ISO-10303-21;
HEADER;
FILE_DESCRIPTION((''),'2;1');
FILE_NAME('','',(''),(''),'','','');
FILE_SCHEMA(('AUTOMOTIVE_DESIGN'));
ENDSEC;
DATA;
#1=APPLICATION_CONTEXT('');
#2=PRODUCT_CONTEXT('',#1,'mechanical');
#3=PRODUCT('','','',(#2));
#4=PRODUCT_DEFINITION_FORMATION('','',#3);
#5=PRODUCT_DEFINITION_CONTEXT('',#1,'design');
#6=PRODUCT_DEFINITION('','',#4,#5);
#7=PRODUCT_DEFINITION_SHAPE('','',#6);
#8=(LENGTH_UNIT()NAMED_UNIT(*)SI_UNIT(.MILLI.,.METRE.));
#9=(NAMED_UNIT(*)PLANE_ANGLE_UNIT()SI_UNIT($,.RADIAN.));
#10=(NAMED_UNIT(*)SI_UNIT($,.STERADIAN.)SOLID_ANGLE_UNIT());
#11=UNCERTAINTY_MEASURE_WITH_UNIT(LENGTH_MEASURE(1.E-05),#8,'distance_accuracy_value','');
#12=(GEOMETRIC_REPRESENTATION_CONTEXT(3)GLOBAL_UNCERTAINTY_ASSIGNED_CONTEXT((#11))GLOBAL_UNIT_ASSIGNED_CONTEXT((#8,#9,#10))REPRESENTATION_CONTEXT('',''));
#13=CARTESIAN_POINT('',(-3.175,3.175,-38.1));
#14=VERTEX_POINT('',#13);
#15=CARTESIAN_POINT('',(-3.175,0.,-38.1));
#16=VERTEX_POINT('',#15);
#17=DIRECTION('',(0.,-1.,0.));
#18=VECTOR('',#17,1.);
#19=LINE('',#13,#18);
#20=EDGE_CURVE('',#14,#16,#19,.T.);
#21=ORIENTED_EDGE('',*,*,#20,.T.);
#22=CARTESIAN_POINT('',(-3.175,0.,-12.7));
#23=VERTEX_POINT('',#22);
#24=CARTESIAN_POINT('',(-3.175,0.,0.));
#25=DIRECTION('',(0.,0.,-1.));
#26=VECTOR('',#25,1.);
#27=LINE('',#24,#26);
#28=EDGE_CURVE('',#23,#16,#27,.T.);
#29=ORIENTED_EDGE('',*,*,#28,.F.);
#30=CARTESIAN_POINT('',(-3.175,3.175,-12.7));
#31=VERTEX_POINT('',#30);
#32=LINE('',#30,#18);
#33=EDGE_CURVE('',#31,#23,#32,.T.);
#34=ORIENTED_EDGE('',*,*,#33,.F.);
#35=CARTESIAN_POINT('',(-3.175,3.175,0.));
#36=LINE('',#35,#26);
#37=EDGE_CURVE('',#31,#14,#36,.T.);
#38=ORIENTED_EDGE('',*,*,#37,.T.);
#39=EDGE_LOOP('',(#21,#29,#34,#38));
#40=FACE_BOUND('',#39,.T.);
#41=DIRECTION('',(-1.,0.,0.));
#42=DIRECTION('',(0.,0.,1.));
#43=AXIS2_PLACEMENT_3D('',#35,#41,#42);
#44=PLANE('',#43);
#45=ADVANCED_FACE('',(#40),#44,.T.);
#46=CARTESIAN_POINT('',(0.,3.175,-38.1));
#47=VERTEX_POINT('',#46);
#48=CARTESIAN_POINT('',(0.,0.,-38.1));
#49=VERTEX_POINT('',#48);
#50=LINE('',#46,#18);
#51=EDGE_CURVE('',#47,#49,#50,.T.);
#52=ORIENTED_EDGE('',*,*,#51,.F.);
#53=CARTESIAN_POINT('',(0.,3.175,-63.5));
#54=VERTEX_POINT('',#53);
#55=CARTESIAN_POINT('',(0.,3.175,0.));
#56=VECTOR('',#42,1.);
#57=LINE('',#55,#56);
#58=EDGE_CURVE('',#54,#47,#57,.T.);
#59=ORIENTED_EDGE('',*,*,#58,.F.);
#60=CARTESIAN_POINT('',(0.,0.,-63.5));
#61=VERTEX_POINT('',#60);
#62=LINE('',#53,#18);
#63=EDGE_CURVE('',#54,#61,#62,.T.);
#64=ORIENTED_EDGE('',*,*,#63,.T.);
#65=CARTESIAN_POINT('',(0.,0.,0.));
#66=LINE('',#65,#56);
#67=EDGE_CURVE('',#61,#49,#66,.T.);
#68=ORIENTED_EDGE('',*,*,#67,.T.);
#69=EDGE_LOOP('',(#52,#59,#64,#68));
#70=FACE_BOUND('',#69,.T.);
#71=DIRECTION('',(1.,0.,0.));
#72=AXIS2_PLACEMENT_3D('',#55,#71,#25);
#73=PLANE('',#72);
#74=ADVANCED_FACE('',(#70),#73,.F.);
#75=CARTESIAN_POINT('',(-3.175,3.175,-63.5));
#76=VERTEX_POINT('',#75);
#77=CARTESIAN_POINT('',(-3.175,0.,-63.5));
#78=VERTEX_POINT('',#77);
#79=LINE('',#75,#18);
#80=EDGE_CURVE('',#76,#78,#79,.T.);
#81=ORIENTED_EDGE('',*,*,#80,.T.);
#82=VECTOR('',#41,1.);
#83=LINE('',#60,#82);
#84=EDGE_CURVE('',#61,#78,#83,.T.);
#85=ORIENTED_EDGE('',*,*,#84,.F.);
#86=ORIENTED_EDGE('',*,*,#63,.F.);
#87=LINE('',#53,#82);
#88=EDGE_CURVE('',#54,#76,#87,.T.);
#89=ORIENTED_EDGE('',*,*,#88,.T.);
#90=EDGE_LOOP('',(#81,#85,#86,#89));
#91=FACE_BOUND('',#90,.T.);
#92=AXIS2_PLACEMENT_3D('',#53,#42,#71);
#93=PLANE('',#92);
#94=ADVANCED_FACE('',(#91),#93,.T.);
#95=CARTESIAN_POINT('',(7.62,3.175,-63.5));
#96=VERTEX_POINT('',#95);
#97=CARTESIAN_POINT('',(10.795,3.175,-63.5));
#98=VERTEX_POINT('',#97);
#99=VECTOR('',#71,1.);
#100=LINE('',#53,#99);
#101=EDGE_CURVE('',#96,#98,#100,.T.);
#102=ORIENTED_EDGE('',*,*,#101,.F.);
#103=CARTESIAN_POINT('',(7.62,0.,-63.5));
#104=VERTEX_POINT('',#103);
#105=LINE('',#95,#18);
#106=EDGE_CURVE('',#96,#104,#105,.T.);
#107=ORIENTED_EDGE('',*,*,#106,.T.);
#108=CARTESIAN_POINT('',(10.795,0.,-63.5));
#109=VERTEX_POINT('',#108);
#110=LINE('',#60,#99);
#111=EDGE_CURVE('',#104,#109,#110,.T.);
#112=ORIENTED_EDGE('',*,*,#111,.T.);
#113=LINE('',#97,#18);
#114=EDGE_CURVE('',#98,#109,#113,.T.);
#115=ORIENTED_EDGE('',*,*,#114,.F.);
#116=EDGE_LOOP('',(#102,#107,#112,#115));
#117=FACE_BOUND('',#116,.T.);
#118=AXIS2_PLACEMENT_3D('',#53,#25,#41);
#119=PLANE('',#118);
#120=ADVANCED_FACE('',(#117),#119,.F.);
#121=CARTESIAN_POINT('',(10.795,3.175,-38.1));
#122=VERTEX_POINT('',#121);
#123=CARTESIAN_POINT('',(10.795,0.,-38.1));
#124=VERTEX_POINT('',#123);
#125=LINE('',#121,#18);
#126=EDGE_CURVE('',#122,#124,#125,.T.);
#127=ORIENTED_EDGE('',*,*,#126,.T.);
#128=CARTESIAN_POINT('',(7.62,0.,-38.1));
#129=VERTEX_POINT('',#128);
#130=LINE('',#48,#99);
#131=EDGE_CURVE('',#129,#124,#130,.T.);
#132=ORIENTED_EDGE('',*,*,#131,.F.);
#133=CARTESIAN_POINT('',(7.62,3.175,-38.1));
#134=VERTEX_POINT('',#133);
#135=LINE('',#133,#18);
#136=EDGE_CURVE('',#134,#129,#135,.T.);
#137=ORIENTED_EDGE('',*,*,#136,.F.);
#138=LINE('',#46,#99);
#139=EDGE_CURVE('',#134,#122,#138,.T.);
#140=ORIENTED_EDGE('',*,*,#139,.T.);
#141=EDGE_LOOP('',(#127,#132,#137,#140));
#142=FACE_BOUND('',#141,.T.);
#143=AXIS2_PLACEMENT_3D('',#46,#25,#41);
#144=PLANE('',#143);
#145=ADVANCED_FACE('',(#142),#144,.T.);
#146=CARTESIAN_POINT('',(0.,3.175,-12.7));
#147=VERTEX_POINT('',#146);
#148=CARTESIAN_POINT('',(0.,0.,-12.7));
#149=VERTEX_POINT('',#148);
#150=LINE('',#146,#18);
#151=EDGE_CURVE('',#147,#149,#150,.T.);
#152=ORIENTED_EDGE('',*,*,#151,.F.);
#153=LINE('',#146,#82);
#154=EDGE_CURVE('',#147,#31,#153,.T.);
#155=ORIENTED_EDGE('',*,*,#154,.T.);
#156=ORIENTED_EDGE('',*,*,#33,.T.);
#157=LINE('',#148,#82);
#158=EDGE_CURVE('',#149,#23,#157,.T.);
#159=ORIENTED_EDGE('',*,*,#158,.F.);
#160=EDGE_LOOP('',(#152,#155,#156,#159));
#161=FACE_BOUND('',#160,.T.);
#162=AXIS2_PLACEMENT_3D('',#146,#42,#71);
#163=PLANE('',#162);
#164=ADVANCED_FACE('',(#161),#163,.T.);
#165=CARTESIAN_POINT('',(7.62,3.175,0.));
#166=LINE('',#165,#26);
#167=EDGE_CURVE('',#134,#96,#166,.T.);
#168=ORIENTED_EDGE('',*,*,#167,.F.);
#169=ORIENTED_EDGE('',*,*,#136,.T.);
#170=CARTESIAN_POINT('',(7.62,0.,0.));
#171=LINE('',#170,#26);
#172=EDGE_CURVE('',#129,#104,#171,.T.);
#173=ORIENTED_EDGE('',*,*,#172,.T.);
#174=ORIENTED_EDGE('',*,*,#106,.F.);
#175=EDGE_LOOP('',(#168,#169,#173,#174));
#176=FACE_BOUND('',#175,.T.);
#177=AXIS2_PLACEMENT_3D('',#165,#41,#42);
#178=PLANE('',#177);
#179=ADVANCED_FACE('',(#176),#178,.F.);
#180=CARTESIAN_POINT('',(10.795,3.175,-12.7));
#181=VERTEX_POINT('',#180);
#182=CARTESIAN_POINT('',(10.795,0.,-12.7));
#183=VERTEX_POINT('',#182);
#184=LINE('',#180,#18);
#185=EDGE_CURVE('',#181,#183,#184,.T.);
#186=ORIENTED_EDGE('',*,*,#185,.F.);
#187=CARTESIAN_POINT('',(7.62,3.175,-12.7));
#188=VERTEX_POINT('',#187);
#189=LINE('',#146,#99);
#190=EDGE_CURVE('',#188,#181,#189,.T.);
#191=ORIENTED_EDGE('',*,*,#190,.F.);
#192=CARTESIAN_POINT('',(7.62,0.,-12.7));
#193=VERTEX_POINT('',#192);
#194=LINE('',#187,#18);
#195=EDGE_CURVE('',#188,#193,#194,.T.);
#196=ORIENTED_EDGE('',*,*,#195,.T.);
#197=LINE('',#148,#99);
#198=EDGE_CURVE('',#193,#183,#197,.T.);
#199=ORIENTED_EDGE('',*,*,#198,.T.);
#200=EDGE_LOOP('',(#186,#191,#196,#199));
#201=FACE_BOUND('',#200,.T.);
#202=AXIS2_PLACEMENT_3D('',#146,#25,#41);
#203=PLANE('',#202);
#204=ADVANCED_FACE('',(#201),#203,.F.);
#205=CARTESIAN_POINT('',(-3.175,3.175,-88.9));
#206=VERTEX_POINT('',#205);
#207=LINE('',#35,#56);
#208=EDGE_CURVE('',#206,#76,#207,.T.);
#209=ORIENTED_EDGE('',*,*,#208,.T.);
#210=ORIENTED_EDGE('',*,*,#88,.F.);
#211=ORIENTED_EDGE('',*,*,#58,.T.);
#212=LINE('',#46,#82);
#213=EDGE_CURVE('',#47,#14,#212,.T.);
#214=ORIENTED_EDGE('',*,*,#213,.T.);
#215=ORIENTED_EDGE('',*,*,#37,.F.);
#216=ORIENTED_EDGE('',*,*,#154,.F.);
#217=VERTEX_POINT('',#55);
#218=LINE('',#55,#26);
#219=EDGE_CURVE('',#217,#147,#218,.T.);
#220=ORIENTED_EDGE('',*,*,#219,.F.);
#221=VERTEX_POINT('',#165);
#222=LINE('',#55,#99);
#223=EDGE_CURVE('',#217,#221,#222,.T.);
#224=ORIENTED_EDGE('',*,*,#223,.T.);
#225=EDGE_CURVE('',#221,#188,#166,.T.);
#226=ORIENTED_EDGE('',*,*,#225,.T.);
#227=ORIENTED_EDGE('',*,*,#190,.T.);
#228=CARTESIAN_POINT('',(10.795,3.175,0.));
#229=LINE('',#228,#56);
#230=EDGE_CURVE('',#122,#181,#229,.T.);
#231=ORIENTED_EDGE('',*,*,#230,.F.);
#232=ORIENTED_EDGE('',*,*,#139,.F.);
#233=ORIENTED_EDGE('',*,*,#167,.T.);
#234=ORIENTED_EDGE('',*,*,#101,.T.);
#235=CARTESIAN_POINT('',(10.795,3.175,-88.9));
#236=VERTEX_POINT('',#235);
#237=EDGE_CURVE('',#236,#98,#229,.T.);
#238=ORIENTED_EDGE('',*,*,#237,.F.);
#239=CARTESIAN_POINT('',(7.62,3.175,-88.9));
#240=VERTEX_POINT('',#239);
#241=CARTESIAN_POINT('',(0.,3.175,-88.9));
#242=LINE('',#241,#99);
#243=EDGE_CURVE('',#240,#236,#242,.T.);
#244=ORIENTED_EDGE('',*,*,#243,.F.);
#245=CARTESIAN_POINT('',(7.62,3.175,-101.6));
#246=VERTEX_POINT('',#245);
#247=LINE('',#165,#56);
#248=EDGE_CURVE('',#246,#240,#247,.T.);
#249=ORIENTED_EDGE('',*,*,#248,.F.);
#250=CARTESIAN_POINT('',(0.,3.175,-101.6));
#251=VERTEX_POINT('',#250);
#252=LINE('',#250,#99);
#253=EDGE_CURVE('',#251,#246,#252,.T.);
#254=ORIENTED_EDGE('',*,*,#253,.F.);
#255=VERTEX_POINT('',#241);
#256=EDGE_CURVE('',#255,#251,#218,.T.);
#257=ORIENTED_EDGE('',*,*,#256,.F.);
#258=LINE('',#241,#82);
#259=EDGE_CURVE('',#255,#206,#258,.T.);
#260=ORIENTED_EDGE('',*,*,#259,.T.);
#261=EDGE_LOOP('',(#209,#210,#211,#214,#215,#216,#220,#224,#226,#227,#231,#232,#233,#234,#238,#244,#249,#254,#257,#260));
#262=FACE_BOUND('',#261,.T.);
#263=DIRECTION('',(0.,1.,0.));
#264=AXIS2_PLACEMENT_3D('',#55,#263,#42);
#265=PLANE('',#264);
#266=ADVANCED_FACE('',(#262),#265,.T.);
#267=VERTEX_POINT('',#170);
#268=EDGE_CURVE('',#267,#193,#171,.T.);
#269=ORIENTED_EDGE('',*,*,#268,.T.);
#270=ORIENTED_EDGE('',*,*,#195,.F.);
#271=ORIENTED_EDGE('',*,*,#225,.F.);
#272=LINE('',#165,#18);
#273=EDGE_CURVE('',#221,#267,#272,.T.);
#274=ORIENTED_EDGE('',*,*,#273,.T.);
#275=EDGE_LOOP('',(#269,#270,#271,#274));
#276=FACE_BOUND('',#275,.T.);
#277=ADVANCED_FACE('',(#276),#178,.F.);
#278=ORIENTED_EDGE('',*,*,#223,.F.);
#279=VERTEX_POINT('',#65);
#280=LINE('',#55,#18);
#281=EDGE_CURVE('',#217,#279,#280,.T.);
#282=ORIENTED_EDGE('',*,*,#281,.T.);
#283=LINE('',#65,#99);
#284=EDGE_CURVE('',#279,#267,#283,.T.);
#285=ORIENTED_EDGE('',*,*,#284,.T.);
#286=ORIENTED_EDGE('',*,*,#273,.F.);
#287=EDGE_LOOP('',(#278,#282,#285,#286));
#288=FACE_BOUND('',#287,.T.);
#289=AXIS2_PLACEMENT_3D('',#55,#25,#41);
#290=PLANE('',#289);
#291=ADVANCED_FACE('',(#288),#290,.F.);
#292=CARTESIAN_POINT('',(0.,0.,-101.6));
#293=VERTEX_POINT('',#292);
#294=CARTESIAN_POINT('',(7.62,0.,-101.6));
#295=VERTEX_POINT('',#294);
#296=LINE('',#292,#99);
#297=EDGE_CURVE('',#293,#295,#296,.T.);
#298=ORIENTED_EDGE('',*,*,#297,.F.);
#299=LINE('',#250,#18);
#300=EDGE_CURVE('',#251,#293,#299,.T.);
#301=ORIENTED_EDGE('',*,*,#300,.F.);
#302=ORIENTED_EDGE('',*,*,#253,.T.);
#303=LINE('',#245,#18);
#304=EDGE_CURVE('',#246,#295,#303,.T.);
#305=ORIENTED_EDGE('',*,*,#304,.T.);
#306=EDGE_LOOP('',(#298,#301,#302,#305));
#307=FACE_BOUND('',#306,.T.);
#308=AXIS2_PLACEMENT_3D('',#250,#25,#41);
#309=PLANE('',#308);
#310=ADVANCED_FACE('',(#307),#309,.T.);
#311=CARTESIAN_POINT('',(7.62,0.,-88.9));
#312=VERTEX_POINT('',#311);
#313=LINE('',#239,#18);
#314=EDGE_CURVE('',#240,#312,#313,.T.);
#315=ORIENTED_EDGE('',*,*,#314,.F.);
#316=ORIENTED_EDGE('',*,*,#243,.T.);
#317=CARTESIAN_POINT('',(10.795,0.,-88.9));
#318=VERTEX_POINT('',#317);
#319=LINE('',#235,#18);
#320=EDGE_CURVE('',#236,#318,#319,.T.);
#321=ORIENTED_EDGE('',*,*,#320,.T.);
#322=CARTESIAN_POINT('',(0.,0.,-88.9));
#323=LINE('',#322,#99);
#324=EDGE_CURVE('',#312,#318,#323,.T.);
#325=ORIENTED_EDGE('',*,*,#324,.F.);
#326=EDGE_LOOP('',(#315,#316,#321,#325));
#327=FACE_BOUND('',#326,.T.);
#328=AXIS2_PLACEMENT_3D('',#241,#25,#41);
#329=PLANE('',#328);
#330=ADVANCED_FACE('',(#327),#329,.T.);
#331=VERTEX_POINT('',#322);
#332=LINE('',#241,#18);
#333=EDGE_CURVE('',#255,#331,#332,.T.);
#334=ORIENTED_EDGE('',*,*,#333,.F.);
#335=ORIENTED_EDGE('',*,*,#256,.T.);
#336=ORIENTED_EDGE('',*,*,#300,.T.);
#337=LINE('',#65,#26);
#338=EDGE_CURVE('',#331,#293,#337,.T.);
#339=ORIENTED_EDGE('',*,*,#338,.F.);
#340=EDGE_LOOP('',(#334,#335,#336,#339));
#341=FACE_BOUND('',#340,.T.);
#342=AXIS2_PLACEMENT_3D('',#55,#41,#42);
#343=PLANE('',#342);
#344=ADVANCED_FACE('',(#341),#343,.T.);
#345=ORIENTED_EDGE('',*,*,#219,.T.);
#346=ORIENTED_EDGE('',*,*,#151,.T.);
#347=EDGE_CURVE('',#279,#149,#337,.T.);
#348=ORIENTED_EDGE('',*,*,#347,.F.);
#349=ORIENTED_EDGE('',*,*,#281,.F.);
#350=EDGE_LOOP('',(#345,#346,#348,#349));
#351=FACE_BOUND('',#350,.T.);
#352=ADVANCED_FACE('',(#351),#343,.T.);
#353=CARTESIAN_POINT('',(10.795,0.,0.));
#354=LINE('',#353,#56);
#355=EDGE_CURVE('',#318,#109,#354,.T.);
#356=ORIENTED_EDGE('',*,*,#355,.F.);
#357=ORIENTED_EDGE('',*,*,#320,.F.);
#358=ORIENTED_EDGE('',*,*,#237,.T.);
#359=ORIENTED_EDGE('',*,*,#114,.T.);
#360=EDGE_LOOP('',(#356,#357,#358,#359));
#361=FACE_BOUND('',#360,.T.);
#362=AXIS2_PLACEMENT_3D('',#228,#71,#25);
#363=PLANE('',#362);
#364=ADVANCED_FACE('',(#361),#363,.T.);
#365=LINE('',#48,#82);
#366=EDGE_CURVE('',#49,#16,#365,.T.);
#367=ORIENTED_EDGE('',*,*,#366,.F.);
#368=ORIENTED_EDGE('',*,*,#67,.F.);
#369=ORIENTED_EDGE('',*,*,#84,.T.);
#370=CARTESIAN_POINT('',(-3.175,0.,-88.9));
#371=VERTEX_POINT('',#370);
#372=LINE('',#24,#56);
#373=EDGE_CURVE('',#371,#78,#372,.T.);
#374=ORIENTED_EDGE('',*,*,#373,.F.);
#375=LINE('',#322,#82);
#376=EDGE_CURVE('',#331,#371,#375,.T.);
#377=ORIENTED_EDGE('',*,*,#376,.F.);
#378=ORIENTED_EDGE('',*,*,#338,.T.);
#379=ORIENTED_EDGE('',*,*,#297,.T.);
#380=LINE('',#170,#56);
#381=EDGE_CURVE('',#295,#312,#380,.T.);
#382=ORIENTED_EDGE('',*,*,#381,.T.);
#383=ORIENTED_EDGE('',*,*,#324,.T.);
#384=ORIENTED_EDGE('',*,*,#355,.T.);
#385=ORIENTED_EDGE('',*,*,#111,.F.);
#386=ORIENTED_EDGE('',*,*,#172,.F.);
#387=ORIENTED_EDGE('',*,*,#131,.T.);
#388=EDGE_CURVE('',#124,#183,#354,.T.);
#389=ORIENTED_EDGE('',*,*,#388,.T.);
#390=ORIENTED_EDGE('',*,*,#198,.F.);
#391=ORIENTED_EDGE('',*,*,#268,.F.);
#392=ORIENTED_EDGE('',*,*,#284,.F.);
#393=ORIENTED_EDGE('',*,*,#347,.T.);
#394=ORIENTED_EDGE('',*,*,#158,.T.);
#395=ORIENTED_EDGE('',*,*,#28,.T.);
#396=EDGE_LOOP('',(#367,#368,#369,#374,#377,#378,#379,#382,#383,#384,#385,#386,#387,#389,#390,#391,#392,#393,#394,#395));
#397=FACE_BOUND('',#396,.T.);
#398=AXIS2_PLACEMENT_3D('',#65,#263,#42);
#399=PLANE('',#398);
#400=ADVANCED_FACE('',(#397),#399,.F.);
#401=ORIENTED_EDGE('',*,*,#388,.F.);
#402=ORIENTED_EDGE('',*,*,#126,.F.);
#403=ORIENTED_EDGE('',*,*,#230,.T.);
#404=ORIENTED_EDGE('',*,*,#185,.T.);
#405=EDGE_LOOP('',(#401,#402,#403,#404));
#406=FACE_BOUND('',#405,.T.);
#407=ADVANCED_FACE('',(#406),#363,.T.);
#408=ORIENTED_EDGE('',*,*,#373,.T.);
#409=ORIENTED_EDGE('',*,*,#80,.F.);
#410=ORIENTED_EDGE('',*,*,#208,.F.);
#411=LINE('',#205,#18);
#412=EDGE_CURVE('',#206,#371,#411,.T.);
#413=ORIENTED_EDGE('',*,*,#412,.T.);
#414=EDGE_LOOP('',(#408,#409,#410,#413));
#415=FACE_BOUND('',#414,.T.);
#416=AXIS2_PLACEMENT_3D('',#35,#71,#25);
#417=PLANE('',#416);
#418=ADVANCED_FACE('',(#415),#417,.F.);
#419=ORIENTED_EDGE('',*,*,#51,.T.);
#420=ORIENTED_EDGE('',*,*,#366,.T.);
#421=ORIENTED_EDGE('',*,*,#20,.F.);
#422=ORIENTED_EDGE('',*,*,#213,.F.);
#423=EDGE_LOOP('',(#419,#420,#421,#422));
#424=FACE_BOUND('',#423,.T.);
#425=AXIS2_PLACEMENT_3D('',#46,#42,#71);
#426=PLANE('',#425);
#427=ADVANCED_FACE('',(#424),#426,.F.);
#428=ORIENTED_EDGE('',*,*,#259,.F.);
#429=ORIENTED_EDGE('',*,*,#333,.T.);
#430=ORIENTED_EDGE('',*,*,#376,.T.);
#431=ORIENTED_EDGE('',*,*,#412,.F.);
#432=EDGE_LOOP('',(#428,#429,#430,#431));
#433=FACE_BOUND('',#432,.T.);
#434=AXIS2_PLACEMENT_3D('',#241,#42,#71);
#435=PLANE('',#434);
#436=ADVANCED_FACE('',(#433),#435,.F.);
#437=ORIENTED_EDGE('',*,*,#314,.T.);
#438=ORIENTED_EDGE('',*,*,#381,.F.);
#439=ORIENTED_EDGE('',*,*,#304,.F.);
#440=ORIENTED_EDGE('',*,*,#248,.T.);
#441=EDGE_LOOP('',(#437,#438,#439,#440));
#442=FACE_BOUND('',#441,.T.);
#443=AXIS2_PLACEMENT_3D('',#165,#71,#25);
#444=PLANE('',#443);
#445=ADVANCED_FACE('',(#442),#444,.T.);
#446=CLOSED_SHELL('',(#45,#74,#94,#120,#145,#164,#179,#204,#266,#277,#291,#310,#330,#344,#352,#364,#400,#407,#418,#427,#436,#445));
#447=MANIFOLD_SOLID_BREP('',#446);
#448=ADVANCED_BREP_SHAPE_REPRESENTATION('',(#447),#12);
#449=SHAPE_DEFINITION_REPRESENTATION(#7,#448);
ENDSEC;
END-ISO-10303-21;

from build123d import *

# Parameters (mm, degrees)
BOSS_EXTRUDE2_DEPTH = 3.175


with BuildPart() as part:
    # Sketch1 → Boss-Extrude2 (new body)
    with BuildSketch(Plane(origin=(0, 0, 0), x_dir=(1, 0, 0), z_dir=(0, 1, 0))):
        Polygon((10.795, 38.1), (10.795, 12.7), (7.62, 12.7), (7.62, 0), (0, 0), (0, 12.7), (-3.175, 12.7), (-3.175, 38.1), (0, 38.1), (0, 63.5), (-3.175, 63.5), (-3.175, 88.9), (0, 88.9), (0, 101.6), (7.62, 101.6), (7.62, 88.9), (10.795, 88.9), (10.795, 63.5), (7.62, 63.5), (7.62, 38.1), align=None)
    extrude(amount=BOSS_EXTRUDE2_DEPTH)


solid = part.part
